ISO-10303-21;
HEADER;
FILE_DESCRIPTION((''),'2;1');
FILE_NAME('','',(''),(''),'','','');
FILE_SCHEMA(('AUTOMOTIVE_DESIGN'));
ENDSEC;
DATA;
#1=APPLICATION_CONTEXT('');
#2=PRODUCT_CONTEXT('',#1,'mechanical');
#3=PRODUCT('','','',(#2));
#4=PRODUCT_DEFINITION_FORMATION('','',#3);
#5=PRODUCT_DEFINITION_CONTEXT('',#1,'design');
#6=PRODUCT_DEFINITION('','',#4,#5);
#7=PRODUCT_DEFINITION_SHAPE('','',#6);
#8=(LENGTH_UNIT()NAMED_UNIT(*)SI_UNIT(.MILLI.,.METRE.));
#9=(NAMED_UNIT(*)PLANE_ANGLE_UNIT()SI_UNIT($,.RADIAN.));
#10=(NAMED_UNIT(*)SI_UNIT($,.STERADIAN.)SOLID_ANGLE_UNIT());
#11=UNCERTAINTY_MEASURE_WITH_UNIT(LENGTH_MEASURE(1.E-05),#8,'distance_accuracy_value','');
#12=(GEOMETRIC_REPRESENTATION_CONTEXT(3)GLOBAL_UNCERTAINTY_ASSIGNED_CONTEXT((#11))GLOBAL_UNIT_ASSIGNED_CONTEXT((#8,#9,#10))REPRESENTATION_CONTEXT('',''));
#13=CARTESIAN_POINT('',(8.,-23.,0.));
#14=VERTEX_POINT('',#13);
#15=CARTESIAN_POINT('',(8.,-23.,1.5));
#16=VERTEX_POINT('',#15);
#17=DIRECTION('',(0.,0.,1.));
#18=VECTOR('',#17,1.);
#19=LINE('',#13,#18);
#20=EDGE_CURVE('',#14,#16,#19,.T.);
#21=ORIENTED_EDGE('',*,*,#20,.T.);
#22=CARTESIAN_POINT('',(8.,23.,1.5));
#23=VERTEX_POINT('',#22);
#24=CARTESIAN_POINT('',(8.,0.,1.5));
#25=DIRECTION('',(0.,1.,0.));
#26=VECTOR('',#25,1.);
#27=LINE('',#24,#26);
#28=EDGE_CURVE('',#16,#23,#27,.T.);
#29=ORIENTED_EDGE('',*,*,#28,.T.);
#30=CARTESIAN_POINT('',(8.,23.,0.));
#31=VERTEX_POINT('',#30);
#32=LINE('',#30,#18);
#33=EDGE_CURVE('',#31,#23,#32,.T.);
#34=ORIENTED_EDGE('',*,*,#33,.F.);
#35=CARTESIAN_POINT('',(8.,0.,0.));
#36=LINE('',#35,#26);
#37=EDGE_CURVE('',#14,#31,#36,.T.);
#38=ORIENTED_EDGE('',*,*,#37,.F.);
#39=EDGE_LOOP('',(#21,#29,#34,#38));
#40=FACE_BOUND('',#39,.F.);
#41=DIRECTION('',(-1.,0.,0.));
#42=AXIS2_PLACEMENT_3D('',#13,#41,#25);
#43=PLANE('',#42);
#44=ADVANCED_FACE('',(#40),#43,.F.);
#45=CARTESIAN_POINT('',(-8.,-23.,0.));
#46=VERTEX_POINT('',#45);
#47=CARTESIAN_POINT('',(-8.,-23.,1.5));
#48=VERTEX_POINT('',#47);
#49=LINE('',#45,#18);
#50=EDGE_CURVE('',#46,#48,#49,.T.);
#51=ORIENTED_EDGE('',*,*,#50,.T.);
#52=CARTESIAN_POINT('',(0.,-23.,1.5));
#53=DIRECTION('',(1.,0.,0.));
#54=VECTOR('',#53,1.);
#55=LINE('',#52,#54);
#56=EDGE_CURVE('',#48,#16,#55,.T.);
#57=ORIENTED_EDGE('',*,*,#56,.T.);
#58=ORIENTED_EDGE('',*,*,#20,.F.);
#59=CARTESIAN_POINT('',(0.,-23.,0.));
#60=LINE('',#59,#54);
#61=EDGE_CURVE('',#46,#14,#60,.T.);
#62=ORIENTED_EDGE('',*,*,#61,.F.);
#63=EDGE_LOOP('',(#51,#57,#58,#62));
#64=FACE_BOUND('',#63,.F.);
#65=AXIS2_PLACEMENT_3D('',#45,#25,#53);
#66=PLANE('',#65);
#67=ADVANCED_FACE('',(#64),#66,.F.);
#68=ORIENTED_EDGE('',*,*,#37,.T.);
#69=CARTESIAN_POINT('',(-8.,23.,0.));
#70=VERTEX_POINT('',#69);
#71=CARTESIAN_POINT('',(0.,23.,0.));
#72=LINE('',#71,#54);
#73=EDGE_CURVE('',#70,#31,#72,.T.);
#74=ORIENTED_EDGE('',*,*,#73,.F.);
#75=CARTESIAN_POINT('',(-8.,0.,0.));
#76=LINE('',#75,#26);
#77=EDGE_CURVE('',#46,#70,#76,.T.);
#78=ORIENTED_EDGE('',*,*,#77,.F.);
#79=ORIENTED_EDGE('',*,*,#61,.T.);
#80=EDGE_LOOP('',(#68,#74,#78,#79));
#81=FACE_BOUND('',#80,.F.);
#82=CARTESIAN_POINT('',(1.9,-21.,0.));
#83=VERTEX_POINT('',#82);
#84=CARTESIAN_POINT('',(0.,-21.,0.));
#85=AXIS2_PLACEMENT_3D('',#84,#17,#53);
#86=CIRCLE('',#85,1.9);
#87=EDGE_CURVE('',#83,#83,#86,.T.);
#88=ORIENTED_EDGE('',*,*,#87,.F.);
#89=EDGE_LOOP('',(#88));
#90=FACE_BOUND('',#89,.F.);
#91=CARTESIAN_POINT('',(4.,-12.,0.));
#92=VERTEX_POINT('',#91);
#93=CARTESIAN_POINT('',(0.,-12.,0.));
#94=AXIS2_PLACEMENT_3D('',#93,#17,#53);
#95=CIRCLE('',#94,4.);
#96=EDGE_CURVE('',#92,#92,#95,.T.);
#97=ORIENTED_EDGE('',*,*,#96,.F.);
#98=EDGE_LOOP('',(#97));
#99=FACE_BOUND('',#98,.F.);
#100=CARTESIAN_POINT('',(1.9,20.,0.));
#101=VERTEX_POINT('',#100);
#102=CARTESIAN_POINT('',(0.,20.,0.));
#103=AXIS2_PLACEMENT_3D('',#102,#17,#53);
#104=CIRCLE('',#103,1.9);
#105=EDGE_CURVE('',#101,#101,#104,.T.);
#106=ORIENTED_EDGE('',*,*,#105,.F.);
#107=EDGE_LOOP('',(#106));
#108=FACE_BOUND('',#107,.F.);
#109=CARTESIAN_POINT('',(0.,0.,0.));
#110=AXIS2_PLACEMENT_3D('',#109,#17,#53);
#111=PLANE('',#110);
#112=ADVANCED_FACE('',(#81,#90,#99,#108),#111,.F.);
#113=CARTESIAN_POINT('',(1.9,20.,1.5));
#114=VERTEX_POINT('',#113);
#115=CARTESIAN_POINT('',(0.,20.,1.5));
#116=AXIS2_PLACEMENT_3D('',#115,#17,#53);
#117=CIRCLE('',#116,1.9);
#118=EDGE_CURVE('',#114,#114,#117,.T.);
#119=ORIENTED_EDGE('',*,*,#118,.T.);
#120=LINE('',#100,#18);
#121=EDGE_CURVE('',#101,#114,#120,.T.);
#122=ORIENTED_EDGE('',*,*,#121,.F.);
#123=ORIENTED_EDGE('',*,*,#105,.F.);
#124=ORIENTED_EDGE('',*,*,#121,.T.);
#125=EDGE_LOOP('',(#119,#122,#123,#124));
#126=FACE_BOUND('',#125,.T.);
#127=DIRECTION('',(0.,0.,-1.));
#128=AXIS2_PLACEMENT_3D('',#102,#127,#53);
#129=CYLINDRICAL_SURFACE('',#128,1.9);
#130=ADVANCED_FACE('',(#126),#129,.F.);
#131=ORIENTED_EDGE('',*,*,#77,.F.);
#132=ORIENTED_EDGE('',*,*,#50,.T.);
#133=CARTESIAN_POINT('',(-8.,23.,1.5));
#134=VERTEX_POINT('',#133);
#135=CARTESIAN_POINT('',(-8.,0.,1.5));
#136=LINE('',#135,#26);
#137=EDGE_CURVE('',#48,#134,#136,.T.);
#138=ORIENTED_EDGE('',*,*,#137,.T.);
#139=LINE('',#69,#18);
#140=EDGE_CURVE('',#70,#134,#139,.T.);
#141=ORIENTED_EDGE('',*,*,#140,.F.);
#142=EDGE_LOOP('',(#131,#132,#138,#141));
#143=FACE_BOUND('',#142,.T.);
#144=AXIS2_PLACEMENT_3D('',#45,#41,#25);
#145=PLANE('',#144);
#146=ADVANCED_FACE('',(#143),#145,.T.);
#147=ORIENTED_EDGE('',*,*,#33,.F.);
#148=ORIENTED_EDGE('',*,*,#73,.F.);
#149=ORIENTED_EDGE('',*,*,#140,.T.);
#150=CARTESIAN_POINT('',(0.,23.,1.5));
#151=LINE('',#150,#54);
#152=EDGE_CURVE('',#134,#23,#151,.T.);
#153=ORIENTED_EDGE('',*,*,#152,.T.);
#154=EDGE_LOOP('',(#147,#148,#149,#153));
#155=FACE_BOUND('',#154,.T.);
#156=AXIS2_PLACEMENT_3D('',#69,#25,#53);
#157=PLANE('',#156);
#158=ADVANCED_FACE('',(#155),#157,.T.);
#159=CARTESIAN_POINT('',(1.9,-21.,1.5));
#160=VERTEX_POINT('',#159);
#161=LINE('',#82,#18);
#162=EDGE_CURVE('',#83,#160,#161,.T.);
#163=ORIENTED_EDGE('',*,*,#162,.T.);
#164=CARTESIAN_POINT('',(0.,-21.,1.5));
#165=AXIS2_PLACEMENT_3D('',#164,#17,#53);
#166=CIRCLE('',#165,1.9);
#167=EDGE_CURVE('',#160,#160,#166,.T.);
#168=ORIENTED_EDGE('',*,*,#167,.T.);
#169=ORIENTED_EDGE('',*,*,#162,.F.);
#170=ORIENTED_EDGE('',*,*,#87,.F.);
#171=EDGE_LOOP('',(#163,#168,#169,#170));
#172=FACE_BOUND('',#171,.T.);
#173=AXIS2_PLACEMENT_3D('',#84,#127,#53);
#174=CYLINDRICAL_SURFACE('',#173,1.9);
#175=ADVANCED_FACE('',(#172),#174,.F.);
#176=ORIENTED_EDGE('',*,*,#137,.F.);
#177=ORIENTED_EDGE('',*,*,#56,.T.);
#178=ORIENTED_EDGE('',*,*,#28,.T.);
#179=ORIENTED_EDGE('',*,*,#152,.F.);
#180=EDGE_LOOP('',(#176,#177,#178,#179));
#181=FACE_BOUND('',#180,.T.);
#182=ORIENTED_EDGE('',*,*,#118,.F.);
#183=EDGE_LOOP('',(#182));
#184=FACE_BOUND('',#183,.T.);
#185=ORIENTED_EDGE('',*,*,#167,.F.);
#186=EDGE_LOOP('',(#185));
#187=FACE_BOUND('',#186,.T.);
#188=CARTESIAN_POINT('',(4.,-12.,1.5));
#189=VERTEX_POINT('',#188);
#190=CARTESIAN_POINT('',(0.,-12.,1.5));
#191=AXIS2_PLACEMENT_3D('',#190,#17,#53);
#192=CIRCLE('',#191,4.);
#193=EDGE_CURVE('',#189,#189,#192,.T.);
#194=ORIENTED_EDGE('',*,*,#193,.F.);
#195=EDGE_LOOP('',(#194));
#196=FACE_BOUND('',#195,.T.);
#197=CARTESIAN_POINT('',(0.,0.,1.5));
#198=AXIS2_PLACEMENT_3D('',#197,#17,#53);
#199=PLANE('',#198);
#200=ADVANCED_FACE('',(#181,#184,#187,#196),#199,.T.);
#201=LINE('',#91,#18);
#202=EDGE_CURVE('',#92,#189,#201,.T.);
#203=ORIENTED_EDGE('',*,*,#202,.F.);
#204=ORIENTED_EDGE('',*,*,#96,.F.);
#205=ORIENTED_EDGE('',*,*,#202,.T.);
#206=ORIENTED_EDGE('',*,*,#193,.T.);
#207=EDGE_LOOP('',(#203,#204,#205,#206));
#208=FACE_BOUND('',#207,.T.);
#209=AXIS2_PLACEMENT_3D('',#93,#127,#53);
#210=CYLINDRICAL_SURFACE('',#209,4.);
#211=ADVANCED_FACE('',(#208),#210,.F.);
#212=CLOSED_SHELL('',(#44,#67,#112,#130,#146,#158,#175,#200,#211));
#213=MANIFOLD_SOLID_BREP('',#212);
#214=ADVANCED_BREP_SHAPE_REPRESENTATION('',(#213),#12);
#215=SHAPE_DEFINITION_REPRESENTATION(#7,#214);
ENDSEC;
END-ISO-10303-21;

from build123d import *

# Parameters (mm, degrees)
F0_W     = 16
F0_H     = 46
F0_R     = 1.9
F0_R_2   = 4
F1_DEPTH = 1.5


with BuildPart() as f1:
    # F0 (on Top) → F1 (new body)
    with BuildSketch(Plane.XY):
        Rectangle(F0_W, F0_H)
        with Locations((0, -21)):
            Circle(F0_R, mode=Mode.SUBTRACT)
        with Locations((0, -12)):
            Circle(F0_R_2, mode=Mode.SUBTRACT)
        with Locations((0, 20)):
            Circle(F0_R, mode=Mode.SUBTRACT)
    extrude(amount=F1_DEPTH)


solid = f1.part
